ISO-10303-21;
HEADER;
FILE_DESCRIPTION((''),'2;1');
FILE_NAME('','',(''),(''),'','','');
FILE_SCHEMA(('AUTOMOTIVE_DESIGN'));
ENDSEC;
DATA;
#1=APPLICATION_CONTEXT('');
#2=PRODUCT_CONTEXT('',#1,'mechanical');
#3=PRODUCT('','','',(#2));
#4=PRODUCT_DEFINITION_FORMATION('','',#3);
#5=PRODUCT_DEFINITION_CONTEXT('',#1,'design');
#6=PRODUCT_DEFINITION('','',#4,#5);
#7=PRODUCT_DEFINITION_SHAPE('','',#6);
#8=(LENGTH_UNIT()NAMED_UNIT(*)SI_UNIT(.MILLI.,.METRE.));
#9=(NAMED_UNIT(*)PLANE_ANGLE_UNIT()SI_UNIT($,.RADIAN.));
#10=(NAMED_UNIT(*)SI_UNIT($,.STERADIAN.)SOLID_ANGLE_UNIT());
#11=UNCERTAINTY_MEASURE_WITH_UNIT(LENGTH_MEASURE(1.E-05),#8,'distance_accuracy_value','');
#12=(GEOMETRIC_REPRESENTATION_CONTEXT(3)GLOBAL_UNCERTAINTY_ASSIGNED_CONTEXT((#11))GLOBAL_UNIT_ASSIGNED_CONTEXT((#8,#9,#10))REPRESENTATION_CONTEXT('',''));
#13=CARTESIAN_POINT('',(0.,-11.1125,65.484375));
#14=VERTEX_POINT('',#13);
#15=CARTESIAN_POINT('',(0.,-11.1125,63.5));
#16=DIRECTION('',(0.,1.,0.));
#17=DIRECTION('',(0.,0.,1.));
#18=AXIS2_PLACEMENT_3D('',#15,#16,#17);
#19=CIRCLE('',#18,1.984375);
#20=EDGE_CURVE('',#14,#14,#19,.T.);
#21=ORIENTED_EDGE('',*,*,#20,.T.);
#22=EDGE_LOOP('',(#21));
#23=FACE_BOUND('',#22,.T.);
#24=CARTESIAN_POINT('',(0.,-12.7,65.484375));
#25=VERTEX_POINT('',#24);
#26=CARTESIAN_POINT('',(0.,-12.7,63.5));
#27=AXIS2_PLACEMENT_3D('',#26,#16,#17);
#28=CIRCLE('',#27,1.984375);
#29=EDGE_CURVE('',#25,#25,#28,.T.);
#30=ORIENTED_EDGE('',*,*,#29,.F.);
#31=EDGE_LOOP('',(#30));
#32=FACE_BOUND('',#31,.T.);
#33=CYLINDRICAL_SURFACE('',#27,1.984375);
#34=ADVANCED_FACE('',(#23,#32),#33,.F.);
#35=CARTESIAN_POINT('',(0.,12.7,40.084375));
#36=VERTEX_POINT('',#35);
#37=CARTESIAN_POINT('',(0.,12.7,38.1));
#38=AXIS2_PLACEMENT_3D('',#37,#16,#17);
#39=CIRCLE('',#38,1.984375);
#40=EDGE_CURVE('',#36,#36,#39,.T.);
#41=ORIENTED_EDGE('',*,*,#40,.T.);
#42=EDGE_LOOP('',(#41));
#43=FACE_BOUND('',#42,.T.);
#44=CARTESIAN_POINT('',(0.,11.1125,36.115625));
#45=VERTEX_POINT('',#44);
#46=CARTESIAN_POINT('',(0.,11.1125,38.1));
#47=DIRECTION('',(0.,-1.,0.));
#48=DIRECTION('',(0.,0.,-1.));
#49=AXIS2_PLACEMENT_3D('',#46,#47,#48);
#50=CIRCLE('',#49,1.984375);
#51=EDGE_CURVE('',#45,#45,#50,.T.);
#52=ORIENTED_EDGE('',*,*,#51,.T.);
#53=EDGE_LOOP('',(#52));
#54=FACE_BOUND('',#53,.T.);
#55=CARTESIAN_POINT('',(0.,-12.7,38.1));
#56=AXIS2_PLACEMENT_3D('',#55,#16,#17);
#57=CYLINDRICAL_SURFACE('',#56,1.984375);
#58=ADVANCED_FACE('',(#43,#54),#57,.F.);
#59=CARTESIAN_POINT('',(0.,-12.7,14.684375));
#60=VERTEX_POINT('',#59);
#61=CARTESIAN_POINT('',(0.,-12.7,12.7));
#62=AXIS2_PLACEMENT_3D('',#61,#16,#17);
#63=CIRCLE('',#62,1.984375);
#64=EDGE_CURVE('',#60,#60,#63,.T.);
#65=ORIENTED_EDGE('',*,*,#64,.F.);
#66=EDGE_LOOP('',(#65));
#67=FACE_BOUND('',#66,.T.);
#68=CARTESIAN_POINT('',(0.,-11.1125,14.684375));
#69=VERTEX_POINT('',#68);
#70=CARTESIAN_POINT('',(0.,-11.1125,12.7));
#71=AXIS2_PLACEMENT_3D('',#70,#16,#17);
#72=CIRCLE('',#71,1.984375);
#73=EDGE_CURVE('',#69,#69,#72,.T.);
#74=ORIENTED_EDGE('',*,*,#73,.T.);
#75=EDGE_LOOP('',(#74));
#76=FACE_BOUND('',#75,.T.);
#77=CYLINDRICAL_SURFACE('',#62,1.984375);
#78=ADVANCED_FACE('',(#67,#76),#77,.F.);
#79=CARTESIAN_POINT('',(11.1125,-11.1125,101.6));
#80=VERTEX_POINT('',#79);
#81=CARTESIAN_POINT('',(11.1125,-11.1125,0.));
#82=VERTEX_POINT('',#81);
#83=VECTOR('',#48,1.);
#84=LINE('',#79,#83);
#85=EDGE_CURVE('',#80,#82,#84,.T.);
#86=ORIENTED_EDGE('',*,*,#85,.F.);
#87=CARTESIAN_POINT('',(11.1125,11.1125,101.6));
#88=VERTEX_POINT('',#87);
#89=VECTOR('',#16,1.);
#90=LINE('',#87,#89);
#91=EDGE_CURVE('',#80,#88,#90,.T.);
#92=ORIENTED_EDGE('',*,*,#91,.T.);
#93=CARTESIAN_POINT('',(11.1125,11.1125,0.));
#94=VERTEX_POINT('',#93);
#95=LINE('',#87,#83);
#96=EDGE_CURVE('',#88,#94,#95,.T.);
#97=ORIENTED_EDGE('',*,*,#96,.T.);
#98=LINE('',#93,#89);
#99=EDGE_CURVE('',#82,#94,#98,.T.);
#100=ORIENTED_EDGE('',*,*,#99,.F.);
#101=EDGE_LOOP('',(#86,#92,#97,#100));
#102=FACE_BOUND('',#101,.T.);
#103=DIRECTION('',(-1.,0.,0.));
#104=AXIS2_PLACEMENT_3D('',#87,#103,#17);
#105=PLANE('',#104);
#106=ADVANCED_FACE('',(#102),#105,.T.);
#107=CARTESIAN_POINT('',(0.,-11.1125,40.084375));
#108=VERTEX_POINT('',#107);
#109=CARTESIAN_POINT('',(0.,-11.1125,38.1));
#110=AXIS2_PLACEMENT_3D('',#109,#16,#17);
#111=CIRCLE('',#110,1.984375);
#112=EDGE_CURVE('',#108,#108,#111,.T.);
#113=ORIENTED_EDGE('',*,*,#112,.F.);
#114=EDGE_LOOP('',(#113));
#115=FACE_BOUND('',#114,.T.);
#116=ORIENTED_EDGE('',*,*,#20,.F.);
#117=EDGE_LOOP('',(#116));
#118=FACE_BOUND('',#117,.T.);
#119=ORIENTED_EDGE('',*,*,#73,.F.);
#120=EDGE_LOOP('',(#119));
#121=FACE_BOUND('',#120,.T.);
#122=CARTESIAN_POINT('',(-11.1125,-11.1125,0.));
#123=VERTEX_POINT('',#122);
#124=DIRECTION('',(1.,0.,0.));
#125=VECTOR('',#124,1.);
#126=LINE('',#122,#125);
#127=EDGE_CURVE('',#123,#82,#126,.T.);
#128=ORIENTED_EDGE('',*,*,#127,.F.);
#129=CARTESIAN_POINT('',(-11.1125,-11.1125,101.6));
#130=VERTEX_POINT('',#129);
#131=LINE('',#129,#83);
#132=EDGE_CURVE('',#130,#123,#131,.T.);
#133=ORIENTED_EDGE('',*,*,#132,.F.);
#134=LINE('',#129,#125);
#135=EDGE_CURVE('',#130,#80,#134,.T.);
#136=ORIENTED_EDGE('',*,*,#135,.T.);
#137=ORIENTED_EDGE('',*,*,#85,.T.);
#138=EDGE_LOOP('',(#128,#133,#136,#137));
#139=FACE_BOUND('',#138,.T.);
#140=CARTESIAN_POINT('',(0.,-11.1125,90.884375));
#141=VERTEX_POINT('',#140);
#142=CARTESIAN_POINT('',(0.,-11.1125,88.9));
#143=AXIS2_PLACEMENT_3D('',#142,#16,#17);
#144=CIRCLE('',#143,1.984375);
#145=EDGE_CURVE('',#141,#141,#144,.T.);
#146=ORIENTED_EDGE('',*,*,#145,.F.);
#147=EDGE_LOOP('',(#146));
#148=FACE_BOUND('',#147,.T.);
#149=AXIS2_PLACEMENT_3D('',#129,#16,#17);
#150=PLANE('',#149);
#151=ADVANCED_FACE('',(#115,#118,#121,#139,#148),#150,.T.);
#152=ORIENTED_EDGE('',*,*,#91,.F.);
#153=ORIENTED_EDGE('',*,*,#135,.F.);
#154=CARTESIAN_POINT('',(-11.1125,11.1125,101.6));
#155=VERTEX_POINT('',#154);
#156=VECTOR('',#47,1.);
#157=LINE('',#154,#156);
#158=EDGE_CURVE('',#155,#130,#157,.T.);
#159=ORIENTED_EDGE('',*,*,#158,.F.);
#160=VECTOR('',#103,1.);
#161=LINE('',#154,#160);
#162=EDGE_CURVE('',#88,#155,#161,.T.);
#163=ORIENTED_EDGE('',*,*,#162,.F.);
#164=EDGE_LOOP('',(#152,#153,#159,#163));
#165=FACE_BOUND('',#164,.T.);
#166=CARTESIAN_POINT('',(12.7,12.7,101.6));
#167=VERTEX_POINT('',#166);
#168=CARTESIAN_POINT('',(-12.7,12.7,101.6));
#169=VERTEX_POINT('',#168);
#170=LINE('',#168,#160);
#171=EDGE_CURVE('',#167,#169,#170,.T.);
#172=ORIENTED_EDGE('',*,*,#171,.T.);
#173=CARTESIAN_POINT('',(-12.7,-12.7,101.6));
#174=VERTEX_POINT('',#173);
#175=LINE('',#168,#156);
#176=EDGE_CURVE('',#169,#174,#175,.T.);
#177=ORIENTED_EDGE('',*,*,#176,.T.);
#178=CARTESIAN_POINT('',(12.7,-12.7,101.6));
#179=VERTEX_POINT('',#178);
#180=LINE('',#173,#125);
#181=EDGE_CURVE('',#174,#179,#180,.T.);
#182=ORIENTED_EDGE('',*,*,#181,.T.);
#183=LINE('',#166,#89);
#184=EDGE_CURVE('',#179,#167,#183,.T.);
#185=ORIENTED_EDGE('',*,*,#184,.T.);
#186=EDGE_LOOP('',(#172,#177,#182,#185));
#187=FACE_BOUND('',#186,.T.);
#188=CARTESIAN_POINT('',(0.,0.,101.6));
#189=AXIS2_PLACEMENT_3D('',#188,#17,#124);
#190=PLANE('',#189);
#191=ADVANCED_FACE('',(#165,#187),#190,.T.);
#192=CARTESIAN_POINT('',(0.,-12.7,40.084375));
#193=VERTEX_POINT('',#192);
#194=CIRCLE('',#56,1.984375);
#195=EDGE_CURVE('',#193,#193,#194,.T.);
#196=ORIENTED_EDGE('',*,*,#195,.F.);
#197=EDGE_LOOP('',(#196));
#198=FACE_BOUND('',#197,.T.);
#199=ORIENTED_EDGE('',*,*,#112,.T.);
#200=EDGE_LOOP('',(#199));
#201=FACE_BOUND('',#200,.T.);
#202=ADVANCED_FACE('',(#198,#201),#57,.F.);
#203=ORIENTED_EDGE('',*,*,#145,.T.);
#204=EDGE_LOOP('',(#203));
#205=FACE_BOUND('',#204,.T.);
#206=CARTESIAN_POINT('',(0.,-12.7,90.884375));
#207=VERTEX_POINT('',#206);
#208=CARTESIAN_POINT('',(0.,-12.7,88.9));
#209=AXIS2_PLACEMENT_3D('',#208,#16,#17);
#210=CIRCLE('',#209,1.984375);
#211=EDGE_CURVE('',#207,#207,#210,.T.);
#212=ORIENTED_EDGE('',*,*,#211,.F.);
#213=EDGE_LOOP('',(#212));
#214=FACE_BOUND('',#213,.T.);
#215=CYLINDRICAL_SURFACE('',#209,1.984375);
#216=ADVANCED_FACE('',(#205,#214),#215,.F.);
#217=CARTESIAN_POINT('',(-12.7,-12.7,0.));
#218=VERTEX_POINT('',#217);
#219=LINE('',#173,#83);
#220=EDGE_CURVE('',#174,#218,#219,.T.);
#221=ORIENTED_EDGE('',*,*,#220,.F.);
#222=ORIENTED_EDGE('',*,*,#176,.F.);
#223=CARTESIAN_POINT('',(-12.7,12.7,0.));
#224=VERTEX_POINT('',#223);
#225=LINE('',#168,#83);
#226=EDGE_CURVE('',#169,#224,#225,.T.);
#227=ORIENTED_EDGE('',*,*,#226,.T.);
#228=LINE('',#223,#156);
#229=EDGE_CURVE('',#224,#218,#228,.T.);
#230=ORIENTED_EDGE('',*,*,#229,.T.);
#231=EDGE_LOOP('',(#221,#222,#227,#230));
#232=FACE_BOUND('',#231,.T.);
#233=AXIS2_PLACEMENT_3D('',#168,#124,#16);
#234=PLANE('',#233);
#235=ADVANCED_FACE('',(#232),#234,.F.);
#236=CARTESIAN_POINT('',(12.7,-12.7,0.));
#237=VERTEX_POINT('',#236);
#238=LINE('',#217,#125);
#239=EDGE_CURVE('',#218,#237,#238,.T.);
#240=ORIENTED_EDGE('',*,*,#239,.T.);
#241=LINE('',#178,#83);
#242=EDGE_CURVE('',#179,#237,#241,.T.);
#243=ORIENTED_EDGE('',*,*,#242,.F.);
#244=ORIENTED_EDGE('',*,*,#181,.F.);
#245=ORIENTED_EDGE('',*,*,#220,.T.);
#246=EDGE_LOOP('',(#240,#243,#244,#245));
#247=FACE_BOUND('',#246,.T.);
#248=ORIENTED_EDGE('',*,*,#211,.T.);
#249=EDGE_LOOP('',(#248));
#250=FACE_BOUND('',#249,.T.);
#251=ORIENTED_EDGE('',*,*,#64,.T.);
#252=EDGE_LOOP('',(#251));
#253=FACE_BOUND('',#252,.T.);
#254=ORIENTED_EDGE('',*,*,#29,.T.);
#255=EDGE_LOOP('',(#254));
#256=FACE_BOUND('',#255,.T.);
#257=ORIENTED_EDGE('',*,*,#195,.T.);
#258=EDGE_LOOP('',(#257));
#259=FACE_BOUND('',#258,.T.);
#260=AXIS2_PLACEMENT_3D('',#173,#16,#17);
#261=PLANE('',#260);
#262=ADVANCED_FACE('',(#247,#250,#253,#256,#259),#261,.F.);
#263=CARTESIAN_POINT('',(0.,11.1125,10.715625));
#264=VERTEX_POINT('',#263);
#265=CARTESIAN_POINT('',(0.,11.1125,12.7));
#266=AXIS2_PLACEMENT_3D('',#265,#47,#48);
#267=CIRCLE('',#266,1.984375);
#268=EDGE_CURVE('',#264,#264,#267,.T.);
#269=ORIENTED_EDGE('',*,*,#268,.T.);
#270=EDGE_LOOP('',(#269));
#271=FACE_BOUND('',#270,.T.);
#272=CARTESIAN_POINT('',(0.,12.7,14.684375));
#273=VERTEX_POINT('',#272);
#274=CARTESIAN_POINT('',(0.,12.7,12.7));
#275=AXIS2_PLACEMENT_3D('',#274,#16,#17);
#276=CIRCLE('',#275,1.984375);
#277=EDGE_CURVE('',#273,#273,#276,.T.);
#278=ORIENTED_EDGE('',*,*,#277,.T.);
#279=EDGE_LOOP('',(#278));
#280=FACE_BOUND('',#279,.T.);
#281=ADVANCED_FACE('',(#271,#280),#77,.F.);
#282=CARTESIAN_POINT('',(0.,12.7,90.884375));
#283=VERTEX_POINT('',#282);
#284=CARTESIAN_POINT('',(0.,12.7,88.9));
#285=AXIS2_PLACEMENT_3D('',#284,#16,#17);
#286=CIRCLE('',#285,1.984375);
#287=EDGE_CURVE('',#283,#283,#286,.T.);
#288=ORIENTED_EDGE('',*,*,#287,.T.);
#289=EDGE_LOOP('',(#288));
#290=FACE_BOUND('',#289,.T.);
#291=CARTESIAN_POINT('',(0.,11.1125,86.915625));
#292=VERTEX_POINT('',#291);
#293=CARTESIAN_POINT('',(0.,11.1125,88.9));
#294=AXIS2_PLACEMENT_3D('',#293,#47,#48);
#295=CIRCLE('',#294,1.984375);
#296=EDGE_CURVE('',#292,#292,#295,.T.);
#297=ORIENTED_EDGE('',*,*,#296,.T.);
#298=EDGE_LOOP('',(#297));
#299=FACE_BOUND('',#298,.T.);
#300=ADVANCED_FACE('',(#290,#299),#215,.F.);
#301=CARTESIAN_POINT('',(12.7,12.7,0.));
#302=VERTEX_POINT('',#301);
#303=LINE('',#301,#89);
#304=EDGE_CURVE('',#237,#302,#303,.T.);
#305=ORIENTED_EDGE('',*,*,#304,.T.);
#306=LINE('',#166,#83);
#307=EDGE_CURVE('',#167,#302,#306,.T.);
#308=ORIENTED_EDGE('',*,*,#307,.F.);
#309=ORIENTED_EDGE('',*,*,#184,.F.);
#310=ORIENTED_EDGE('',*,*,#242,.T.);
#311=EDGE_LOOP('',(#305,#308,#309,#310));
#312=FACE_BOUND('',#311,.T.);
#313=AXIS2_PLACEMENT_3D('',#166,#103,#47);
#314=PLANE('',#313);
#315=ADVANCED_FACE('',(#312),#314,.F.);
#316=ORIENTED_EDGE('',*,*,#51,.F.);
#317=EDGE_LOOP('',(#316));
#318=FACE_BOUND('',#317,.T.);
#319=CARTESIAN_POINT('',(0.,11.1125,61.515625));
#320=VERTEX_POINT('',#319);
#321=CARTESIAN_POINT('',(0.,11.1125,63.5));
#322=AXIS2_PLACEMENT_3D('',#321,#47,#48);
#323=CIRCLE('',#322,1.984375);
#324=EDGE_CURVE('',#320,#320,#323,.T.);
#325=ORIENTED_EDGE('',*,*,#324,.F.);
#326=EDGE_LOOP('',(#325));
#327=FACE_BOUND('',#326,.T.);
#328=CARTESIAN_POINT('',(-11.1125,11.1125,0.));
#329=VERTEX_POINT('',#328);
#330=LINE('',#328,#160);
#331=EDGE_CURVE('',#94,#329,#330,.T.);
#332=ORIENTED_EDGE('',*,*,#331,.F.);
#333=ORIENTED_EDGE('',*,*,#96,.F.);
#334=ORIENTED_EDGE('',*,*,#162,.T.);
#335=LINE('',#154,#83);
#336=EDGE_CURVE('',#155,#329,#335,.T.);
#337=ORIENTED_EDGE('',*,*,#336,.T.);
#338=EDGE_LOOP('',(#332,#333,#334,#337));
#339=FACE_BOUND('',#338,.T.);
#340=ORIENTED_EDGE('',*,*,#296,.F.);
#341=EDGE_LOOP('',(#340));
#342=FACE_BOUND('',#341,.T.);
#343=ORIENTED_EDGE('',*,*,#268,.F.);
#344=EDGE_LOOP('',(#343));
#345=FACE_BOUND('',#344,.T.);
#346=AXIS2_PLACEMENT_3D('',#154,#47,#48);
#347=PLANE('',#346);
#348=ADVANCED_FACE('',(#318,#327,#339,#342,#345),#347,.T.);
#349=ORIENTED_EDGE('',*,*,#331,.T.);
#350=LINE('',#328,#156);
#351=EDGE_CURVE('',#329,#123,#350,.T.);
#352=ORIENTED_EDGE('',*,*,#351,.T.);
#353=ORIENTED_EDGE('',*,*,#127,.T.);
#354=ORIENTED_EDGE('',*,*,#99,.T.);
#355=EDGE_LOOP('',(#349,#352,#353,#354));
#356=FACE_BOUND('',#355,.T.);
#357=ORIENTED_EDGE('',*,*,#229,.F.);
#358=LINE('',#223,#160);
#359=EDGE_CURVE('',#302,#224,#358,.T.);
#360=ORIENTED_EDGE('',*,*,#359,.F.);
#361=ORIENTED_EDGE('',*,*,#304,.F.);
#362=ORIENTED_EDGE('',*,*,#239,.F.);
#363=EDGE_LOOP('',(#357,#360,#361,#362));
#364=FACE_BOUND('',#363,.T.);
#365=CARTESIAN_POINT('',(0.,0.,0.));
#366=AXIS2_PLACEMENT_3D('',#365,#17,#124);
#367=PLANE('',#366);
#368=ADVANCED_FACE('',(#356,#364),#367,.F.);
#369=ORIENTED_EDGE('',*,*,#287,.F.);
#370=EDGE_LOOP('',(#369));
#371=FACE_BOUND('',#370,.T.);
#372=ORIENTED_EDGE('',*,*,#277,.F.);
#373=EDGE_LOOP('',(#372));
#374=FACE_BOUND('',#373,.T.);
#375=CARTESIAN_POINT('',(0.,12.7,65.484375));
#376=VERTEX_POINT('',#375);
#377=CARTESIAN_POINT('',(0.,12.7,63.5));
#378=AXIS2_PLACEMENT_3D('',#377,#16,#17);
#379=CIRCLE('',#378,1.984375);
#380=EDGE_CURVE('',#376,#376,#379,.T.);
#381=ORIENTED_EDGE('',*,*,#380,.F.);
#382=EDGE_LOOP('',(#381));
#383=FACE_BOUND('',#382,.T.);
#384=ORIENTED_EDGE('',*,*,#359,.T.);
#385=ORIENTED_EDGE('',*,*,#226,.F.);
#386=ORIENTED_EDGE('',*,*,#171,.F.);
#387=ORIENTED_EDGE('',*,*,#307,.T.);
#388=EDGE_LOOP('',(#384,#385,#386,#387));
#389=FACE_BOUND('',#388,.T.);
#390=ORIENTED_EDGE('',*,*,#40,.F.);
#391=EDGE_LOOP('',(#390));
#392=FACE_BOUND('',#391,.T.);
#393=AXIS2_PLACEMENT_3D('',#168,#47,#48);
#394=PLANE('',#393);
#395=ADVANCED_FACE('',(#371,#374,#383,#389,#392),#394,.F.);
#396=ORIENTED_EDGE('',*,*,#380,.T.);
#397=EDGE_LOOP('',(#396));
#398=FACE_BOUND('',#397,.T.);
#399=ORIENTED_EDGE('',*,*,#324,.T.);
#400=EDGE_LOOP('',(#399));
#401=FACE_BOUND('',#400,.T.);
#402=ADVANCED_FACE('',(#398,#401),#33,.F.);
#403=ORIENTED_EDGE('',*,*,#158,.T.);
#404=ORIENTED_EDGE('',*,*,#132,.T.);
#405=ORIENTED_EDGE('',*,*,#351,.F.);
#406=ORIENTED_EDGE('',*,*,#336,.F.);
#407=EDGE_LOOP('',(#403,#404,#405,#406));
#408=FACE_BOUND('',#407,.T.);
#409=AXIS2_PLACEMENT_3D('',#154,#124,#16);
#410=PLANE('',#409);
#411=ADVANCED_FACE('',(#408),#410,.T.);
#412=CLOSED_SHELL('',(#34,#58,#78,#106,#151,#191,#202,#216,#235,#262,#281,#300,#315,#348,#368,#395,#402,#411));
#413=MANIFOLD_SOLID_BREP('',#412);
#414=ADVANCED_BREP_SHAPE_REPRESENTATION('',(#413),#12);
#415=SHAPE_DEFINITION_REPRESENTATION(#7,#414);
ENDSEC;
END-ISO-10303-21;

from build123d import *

# Parameters (mm, degrees)
SKETCH1_W           = 25.4
SKETCH1_H           = 25.4
SKETCH1_W_2         = 22.225
SKETCH1_H_2         = 22.225
BOSS_EXTRUDE1_DEPTH = 101.6
SKETCH2_R           = 1.984375
CUT_EXTRUDE1_DEPTH  = 26.4


with BuildPart() as part:
    # Sketch1 → Boss-Extrude1 (new body)
    with BuildSketch(Plane.XY):
        Rectangle(SKETCH1_W, SKETCH1_H)
        Rectangle(SKETCH1_W_2, SKETCH1_H_2, mode=Mode.SUBTRACT)
    extrude(amount=BOSS_EXTRUDE1_DEPTH)

    # Sketch2 → Cut-Extrude1 (cut, through all)
    with BuildSketch(Plane(origin=(0, 12.7, 0), x_dir=(1, 0, 0), z_dir=(0, 1, 0))):
        with Locations((0, -88.9)):
            Circle(SKETCH2_R)
        with Locations((0, -63.5)):
            Circle(SKETCH2_R)
        with Locations((0, -38.1)):
            Circle(SKETCH2_R)
        with Locations((0, -12.7)):
            Circle(SKETCH2_R)
        with Locations((0, 12.7)):
            Circle(SKETCH2_R)
        with Locations((0, 38.1)):
            Circle(SKETCH2_R)
        with Locations((0, 63.5)):
            Circle(SKETCH2_R)
        with Locations((0, 88.9)):
            Circle(SKETCH2_R)
        with Locations((0, 114.3)):
            Circle(SKETCH2_R)
        with Locations((0, 139.7)):
            Circle(SKETCH2_R)
        with Locations((0, 165.1)):
            Circle(SKETCH2_R)
        with Locations((0, 190.5)):
            Circle(SKETCH2_R)
    extrude(amount=-CUT_EXTRUDE1_DEPTH, mode=Mode.SUBTRACT)


solid = part.part
